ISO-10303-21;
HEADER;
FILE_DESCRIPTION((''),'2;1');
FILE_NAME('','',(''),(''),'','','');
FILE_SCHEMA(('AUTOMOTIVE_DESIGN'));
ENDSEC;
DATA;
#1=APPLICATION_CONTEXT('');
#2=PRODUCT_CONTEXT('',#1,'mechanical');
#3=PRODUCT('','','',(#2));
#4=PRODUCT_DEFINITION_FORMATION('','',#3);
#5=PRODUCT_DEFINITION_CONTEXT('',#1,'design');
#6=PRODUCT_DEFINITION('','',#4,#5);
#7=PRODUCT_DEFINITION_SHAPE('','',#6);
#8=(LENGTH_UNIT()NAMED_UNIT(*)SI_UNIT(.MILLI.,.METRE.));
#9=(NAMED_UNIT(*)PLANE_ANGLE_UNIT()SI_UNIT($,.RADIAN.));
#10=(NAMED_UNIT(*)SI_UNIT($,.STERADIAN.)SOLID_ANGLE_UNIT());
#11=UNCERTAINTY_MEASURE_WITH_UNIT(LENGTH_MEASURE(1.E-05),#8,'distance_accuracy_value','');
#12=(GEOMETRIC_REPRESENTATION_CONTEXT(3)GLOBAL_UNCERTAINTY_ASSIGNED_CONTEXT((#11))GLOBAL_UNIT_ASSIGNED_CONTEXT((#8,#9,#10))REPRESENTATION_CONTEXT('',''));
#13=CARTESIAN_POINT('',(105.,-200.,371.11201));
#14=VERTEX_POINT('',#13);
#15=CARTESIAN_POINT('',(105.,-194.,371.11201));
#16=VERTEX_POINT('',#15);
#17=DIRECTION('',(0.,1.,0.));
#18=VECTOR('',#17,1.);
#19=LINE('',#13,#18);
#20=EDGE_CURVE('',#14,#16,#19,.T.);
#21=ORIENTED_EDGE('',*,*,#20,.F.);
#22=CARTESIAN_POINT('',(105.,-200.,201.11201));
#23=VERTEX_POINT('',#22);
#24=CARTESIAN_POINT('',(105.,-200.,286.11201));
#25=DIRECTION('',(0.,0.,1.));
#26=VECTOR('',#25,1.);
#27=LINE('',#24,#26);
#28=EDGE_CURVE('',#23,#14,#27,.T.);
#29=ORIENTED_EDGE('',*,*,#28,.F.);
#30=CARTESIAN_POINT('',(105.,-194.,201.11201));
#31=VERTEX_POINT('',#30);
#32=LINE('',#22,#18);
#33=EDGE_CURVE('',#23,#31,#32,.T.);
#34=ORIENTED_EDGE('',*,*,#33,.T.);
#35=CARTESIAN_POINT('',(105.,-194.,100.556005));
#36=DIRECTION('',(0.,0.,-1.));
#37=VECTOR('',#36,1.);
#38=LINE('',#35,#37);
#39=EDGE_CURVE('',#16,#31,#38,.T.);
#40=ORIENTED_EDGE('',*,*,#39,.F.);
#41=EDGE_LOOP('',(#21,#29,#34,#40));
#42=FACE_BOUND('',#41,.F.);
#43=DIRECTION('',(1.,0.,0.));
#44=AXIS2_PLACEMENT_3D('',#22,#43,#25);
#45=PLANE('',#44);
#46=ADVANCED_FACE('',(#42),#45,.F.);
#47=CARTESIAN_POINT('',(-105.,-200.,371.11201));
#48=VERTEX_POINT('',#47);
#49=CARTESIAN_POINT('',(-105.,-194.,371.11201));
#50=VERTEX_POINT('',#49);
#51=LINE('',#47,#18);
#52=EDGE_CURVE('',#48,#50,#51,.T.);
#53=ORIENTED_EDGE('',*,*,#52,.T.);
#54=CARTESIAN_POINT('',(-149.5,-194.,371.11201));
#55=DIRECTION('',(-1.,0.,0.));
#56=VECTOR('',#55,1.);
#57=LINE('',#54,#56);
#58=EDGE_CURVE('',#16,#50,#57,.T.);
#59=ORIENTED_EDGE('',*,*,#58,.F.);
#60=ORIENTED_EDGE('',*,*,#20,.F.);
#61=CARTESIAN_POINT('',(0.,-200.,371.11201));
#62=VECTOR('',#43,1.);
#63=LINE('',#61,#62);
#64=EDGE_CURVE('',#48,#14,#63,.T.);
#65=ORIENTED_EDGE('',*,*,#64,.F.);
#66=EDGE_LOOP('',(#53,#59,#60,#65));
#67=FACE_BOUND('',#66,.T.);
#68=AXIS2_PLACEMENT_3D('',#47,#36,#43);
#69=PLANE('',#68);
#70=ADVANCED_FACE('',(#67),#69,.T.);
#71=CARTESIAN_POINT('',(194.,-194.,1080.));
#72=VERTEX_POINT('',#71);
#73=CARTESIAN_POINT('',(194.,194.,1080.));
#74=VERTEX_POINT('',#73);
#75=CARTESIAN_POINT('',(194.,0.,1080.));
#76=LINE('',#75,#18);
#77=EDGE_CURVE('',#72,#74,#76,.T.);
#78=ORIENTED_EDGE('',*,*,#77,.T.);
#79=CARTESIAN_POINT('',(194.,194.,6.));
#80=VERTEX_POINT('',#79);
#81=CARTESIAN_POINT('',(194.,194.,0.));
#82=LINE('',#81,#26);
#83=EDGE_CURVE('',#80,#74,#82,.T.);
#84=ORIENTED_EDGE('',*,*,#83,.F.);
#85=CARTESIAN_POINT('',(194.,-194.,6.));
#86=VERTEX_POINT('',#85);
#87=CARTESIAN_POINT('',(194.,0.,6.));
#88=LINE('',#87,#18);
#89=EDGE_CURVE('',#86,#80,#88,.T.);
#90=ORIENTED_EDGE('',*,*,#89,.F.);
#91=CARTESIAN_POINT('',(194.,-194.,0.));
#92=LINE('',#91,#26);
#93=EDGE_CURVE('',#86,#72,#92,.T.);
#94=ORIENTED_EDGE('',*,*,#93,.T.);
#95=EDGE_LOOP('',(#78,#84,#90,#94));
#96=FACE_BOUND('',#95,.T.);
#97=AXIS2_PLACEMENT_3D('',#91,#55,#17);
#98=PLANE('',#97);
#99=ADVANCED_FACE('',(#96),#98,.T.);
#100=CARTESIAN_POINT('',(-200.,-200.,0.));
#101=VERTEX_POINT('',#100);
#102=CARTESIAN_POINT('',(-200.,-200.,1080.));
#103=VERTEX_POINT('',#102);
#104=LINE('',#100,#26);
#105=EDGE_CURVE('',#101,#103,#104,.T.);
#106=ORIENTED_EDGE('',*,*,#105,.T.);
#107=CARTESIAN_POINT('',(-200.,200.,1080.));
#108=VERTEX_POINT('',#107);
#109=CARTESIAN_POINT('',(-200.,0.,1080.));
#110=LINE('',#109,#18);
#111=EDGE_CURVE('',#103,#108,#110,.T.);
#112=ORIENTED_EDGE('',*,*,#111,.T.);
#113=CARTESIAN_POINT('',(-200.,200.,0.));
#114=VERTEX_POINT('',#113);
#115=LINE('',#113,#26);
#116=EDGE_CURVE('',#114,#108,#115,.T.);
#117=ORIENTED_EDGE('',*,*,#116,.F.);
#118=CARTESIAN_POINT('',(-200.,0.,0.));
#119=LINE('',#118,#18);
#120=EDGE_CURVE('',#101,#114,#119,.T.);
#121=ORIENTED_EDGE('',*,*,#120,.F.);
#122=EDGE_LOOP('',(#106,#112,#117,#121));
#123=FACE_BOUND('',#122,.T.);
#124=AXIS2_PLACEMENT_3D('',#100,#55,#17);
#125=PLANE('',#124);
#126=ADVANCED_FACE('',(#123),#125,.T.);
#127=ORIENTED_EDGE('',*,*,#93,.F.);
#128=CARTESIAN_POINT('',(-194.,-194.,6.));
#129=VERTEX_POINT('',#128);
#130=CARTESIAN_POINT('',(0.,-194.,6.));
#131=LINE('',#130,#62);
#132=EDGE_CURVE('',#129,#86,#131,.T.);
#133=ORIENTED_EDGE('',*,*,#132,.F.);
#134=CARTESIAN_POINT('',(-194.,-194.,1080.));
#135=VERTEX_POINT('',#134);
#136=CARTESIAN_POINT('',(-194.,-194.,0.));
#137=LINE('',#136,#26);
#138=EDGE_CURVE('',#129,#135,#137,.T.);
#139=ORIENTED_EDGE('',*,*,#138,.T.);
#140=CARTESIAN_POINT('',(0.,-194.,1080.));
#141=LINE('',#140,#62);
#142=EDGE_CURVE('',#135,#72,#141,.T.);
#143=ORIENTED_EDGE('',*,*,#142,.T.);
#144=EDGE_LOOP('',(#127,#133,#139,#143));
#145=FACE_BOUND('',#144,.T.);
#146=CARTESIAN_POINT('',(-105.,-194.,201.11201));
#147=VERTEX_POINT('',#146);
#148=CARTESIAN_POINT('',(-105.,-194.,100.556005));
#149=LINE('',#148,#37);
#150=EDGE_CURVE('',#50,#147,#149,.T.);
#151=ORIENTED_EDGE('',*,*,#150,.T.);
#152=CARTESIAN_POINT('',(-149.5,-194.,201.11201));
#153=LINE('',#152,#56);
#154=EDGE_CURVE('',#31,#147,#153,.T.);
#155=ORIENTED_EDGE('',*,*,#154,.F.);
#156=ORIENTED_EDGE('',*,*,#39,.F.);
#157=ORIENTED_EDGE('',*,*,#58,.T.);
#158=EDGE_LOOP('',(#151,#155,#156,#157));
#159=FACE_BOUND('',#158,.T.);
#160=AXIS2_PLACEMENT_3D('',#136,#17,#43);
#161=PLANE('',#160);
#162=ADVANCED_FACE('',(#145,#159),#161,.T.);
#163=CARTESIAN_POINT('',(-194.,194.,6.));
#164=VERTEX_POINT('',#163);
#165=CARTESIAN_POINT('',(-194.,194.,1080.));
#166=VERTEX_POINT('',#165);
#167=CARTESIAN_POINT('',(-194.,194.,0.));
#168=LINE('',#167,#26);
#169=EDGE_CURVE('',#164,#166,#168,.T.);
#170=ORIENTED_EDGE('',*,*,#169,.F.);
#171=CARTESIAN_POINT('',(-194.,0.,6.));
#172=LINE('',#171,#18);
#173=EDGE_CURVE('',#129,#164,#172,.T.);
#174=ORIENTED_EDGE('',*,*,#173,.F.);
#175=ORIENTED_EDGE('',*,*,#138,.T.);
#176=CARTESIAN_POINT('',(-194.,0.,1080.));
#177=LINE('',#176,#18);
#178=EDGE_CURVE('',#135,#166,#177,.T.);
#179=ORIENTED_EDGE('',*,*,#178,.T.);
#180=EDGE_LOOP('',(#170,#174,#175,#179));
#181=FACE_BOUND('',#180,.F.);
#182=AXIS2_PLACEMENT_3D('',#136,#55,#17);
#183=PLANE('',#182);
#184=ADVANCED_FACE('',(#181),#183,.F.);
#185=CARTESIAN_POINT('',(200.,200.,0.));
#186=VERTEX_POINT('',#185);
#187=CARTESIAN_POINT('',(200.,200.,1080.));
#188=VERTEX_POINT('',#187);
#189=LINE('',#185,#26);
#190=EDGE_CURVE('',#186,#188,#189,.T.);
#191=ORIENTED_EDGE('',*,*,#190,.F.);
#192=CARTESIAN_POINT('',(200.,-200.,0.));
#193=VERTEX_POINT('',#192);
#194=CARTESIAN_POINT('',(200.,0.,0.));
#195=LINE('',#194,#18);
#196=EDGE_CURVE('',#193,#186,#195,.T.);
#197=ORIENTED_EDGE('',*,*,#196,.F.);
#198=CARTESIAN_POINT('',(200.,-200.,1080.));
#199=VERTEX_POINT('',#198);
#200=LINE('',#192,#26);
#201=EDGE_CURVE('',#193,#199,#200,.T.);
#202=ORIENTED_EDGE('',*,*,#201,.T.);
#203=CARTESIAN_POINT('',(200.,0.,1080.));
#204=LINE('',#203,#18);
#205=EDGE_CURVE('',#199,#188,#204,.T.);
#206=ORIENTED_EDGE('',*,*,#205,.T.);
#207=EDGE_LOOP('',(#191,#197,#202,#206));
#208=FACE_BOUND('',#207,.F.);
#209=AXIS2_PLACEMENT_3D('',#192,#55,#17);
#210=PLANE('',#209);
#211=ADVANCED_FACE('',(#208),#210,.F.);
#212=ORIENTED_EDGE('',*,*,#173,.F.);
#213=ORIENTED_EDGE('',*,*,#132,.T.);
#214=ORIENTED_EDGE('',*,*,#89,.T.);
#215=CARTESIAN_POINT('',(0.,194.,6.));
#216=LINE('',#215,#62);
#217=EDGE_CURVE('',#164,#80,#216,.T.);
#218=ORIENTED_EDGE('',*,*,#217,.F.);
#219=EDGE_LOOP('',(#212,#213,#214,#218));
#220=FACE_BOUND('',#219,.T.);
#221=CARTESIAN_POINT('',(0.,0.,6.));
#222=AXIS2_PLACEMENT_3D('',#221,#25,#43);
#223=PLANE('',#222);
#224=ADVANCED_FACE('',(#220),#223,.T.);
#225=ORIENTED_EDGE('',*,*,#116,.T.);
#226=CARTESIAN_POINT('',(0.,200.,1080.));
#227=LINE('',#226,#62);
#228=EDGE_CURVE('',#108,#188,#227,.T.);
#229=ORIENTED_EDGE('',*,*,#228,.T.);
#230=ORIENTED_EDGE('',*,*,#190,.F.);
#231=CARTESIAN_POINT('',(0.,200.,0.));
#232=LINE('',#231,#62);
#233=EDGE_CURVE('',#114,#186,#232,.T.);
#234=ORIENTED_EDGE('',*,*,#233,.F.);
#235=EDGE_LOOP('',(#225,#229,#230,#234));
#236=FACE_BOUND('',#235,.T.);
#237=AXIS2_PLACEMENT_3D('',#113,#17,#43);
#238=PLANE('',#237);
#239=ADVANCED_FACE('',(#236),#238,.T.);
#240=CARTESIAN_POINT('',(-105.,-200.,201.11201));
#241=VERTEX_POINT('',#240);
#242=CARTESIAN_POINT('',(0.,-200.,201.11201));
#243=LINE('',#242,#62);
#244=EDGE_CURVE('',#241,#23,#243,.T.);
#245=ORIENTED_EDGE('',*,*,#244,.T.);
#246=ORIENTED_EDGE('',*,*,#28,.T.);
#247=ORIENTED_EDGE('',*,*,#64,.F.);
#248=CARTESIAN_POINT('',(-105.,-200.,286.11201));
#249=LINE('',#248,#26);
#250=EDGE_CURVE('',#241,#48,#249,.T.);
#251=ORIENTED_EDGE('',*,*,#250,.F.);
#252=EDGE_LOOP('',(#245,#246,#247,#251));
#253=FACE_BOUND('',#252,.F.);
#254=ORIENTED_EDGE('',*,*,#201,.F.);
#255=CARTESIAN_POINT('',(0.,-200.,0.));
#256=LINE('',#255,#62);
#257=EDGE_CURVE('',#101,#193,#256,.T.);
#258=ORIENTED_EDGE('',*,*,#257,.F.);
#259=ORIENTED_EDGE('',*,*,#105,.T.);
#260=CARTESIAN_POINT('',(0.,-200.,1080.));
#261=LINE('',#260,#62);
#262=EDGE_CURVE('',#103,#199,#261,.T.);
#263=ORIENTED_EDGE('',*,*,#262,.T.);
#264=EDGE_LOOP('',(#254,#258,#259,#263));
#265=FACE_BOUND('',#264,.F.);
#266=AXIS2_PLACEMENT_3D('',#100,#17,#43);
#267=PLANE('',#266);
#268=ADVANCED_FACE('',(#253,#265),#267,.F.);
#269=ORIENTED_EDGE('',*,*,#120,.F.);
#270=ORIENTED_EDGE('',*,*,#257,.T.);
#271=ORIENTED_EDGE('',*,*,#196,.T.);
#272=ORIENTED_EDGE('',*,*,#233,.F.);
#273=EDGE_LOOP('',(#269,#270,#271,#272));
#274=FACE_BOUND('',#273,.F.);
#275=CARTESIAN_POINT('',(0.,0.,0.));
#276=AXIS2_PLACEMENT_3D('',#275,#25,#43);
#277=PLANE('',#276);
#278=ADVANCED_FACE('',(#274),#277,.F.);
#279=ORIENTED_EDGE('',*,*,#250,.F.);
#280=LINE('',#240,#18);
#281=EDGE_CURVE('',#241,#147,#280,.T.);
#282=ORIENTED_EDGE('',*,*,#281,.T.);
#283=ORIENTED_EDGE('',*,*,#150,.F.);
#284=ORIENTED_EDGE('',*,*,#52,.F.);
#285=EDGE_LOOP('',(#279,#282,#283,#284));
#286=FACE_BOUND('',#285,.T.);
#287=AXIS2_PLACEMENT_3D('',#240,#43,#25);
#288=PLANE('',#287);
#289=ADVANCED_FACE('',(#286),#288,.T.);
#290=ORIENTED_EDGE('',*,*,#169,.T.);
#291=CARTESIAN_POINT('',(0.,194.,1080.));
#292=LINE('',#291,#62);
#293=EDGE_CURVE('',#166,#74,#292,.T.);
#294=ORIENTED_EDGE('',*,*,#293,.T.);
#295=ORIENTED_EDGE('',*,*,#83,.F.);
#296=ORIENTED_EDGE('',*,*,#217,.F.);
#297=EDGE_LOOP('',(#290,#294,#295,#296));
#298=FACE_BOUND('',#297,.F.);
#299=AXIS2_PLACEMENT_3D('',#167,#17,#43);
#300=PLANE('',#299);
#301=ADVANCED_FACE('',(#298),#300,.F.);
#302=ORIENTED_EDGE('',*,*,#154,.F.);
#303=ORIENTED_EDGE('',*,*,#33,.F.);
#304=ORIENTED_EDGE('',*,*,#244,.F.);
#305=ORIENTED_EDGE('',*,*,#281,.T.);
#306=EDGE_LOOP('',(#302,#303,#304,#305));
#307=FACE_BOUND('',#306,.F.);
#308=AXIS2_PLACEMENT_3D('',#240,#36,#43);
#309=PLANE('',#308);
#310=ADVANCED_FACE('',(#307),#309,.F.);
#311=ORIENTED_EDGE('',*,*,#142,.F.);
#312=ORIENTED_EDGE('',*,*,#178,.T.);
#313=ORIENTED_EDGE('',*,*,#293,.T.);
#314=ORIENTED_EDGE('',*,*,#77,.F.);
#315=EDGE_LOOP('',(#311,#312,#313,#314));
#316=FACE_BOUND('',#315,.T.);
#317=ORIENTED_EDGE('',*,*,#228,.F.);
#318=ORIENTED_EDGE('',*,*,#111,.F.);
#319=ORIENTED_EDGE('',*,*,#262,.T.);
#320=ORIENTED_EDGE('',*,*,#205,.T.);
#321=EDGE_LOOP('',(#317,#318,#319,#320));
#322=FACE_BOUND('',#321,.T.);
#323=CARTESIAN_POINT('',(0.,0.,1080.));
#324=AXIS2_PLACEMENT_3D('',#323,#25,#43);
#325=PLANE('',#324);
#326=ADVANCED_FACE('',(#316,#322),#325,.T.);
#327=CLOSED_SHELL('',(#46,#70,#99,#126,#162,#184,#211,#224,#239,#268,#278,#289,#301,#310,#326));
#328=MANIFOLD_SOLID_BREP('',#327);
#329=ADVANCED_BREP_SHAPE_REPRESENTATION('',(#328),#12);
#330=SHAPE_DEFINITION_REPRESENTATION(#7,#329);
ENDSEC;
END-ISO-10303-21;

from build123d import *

# Parameters (mm, degrees)
F0_W     = 388
F0_H     = 388
F1_DEPTH = 6
F0_W_2   = 400
F0_H_2   = 400
F2_DEPTH = 1080
F3_W     = 210
F3_H     = 170
F4_DEPTH = 25


with BuildPart() as f1:
    # F0 (on Top) → F1 (new body)
    with BuildSketch(Plane.XY):
        Rectangle(F0_W, F0_H)
    extrude(amount=F1_DEPTH)

    # F0 (on Top) → F2 (join)
    with BuildSketch(Plane.XY):
        Rectangle(F0_W_2, F0_H_2)
        Rectangle(F0_W, F0_H, mode=Mode.SUBTRACT)
    extrude(amount=F2_DEPTH)

    # F3 (on face) → F4 (cut)
    with BuildSketch(Plane.XZ.offset(200)):
        with Locations((0, 286.11201)):
            Rectangle(F3_W, F3_H)
    extrude(amount=-F4_DEPTH, mode=Mode.SUBTRACT)


solid = f1.part
